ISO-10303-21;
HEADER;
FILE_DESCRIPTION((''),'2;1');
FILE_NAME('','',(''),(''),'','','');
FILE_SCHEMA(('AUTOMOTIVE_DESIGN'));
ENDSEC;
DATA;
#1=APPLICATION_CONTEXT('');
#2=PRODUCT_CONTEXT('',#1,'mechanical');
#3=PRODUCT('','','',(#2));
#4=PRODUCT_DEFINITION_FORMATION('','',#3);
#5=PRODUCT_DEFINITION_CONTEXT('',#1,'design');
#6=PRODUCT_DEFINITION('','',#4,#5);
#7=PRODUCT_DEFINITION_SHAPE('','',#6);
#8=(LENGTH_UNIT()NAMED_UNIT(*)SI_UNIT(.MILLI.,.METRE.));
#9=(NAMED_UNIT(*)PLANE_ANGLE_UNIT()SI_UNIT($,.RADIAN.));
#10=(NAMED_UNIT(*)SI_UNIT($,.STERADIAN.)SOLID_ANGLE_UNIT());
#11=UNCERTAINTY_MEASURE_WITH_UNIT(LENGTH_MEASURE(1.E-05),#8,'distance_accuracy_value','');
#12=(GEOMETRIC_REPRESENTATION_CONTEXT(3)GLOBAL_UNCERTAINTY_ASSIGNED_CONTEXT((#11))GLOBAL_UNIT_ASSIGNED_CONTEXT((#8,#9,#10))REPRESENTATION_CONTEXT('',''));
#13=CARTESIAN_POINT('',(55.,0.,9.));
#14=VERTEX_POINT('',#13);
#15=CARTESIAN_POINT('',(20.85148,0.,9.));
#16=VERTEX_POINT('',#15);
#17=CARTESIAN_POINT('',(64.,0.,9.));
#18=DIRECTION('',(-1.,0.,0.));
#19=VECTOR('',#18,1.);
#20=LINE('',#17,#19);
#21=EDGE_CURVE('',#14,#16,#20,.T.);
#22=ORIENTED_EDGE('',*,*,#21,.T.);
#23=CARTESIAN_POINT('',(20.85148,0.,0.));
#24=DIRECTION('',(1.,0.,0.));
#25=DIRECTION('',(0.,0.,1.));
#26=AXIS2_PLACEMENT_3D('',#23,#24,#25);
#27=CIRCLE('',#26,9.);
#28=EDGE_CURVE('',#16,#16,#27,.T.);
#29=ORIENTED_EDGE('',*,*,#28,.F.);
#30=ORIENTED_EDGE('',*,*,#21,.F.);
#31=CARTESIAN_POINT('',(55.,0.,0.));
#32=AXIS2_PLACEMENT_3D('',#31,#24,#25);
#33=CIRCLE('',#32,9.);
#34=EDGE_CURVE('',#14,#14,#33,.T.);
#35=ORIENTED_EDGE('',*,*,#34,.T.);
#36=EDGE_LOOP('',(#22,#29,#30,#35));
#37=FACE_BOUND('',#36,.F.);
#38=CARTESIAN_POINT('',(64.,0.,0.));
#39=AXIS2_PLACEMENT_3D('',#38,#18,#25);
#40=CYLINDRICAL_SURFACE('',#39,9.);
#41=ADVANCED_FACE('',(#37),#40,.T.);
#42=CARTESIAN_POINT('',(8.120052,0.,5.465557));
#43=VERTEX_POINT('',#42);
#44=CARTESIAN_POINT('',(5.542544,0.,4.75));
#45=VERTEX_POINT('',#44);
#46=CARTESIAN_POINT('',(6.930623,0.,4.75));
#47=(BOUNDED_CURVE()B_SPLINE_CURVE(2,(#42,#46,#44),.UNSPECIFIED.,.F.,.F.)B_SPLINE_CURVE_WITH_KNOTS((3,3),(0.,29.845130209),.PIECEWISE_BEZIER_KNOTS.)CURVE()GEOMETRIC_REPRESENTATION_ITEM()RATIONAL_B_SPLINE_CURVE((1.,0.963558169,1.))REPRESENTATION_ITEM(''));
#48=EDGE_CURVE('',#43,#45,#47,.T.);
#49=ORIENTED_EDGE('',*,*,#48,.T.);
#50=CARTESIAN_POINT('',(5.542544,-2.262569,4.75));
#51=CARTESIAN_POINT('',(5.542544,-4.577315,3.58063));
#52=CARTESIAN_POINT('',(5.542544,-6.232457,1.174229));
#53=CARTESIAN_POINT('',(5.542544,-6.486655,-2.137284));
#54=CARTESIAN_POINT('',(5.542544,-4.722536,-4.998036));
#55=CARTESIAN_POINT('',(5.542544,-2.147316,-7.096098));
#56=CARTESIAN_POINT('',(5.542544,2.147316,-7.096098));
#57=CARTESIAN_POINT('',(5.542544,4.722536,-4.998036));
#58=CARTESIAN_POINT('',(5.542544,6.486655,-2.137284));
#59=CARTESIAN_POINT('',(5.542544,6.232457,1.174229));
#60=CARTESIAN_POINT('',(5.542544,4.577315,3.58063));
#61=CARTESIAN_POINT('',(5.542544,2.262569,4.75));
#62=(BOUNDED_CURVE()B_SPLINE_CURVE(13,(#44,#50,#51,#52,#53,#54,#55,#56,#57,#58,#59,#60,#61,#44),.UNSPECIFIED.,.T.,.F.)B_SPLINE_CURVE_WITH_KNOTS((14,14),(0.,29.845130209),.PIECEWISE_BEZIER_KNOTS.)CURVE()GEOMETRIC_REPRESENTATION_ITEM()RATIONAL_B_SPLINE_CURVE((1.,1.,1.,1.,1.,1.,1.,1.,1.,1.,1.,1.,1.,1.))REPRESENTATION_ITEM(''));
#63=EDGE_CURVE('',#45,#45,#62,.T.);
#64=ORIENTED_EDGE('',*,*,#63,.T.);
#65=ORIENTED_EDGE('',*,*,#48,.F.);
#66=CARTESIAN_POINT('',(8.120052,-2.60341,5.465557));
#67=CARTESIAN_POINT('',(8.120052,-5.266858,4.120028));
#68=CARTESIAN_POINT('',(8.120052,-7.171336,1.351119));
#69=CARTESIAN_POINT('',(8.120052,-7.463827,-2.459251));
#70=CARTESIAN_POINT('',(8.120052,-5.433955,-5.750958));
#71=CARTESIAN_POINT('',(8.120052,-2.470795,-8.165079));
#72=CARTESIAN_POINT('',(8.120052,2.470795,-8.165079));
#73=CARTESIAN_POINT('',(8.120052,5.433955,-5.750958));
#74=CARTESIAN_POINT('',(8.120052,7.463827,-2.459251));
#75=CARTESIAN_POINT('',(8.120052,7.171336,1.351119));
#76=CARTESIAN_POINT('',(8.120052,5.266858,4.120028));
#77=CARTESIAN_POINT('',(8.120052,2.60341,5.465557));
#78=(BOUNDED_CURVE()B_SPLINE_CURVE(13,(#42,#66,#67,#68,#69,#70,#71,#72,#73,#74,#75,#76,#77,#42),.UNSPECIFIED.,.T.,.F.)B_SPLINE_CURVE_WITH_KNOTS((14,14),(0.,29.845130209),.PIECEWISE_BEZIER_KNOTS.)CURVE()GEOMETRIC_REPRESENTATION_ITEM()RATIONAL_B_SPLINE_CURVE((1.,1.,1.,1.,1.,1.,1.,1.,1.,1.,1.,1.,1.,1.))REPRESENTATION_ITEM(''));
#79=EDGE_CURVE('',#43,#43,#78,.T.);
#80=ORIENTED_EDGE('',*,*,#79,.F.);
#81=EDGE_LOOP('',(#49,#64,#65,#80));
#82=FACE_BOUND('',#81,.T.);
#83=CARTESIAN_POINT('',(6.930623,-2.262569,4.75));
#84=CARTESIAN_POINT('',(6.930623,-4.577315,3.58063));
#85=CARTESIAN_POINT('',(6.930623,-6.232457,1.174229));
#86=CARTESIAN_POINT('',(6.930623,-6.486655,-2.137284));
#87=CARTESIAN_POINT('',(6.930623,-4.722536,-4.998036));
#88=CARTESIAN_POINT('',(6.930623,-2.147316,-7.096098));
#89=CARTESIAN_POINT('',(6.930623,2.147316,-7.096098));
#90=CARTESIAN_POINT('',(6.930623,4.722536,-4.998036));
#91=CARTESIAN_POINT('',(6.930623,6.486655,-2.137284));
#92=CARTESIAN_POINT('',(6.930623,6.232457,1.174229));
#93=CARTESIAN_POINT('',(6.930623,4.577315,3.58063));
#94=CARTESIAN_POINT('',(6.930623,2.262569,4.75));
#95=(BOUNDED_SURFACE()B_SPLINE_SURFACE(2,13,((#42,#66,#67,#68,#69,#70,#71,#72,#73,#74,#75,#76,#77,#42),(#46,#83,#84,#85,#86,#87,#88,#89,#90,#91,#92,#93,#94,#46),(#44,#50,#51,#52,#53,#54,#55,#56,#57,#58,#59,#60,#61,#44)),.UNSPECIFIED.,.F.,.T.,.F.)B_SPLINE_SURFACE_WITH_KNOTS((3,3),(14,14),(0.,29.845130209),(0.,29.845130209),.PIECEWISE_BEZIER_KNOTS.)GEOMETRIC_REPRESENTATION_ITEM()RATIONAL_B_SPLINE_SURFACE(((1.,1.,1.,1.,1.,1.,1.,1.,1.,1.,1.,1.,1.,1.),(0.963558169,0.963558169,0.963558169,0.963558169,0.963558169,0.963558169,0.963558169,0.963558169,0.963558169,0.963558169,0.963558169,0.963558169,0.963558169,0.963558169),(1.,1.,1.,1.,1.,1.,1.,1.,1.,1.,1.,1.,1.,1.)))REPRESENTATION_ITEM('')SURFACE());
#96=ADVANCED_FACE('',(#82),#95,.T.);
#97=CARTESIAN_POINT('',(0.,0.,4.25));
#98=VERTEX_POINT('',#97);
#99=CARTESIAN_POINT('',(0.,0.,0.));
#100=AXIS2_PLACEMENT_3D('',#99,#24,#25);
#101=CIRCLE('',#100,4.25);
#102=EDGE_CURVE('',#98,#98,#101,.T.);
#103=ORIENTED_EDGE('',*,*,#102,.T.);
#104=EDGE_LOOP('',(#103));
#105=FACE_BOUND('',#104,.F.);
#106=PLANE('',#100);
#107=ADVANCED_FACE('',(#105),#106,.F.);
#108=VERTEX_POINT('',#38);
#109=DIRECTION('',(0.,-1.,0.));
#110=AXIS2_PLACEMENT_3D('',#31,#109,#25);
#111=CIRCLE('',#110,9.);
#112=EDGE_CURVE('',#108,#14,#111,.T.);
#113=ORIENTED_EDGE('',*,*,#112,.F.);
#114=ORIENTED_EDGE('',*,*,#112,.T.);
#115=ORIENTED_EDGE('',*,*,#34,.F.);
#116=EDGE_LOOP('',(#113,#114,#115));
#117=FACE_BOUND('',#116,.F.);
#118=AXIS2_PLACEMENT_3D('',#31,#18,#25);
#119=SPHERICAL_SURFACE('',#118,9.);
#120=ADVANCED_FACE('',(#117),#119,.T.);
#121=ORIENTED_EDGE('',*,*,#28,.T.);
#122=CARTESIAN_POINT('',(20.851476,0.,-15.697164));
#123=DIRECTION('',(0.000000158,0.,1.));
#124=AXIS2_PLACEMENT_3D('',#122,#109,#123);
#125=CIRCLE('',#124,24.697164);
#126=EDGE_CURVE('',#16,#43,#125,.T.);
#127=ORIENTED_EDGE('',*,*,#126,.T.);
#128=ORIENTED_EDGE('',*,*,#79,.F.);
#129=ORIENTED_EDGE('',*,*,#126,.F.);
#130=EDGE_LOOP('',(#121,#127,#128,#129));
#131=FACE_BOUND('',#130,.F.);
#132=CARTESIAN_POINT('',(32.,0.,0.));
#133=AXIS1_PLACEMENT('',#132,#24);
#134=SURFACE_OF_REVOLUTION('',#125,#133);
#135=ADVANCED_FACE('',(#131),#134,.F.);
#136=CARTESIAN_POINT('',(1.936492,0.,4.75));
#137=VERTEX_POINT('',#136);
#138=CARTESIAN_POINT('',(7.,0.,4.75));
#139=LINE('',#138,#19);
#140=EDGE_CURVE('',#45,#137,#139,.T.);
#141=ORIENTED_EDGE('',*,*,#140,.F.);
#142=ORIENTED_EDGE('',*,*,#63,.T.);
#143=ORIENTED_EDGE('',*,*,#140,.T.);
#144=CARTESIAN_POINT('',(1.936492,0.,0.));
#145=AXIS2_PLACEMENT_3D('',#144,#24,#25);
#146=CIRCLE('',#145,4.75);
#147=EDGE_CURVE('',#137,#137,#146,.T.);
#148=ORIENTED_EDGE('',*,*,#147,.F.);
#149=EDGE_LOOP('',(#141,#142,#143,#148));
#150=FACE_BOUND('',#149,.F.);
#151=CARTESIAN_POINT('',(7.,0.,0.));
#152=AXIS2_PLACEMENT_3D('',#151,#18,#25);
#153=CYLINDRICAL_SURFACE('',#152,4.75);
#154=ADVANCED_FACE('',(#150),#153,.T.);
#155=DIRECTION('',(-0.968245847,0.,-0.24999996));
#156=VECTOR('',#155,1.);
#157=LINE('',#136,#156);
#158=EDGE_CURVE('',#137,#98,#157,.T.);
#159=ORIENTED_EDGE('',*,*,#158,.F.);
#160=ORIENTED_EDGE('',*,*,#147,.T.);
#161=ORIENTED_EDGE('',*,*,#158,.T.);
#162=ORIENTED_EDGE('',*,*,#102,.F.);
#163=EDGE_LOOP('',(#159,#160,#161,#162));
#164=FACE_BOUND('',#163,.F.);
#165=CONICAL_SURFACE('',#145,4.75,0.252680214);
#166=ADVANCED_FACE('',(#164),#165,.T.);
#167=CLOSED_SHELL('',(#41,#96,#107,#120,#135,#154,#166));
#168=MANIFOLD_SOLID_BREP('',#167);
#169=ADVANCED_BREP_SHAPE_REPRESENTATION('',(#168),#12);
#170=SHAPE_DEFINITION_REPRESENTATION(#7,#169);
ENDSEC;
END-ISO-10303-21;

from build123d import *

# Parameters (mm, degrees)
F2_R = 9
F3_R = 5


with BuildPart() as f1:
    # F0 (on Front) → F1 (revolve)
    with BuildSketch(Plane.XZ):
        with BuildLine():
            Line((0, 4.25), (0, 0))
            Line((0, 0), (64, 0))
            Line((64, 0), (64, 9))
            Line((64, 9), (20.85148, 9))
            ThreePointArc((20.85148, 9), (13.607068, 7.913606), (7, 4.75))
            Line((7, 4.75), (1.936492, 4.75))
            Line((1.936492, 4.75), (0, 4.25))
        make_face()
    revolve(axis=Axis((32, 0, 0), (1, 0, 0)))

    # F2
    f2_edges = [f1.edges().sort_by_distance(p)[0] for p in [
        (64, 0, -9),
    ]]
    fillet(f2_edges, radius=F2_R)

    # F3
    f3_edges = [f1.edges().sort_by_distance(p)[0] for p in [
        (7, 0, -4.75),
    ]]
    fillet(f3_edges, radius=F3_R)


solid = f1.part
